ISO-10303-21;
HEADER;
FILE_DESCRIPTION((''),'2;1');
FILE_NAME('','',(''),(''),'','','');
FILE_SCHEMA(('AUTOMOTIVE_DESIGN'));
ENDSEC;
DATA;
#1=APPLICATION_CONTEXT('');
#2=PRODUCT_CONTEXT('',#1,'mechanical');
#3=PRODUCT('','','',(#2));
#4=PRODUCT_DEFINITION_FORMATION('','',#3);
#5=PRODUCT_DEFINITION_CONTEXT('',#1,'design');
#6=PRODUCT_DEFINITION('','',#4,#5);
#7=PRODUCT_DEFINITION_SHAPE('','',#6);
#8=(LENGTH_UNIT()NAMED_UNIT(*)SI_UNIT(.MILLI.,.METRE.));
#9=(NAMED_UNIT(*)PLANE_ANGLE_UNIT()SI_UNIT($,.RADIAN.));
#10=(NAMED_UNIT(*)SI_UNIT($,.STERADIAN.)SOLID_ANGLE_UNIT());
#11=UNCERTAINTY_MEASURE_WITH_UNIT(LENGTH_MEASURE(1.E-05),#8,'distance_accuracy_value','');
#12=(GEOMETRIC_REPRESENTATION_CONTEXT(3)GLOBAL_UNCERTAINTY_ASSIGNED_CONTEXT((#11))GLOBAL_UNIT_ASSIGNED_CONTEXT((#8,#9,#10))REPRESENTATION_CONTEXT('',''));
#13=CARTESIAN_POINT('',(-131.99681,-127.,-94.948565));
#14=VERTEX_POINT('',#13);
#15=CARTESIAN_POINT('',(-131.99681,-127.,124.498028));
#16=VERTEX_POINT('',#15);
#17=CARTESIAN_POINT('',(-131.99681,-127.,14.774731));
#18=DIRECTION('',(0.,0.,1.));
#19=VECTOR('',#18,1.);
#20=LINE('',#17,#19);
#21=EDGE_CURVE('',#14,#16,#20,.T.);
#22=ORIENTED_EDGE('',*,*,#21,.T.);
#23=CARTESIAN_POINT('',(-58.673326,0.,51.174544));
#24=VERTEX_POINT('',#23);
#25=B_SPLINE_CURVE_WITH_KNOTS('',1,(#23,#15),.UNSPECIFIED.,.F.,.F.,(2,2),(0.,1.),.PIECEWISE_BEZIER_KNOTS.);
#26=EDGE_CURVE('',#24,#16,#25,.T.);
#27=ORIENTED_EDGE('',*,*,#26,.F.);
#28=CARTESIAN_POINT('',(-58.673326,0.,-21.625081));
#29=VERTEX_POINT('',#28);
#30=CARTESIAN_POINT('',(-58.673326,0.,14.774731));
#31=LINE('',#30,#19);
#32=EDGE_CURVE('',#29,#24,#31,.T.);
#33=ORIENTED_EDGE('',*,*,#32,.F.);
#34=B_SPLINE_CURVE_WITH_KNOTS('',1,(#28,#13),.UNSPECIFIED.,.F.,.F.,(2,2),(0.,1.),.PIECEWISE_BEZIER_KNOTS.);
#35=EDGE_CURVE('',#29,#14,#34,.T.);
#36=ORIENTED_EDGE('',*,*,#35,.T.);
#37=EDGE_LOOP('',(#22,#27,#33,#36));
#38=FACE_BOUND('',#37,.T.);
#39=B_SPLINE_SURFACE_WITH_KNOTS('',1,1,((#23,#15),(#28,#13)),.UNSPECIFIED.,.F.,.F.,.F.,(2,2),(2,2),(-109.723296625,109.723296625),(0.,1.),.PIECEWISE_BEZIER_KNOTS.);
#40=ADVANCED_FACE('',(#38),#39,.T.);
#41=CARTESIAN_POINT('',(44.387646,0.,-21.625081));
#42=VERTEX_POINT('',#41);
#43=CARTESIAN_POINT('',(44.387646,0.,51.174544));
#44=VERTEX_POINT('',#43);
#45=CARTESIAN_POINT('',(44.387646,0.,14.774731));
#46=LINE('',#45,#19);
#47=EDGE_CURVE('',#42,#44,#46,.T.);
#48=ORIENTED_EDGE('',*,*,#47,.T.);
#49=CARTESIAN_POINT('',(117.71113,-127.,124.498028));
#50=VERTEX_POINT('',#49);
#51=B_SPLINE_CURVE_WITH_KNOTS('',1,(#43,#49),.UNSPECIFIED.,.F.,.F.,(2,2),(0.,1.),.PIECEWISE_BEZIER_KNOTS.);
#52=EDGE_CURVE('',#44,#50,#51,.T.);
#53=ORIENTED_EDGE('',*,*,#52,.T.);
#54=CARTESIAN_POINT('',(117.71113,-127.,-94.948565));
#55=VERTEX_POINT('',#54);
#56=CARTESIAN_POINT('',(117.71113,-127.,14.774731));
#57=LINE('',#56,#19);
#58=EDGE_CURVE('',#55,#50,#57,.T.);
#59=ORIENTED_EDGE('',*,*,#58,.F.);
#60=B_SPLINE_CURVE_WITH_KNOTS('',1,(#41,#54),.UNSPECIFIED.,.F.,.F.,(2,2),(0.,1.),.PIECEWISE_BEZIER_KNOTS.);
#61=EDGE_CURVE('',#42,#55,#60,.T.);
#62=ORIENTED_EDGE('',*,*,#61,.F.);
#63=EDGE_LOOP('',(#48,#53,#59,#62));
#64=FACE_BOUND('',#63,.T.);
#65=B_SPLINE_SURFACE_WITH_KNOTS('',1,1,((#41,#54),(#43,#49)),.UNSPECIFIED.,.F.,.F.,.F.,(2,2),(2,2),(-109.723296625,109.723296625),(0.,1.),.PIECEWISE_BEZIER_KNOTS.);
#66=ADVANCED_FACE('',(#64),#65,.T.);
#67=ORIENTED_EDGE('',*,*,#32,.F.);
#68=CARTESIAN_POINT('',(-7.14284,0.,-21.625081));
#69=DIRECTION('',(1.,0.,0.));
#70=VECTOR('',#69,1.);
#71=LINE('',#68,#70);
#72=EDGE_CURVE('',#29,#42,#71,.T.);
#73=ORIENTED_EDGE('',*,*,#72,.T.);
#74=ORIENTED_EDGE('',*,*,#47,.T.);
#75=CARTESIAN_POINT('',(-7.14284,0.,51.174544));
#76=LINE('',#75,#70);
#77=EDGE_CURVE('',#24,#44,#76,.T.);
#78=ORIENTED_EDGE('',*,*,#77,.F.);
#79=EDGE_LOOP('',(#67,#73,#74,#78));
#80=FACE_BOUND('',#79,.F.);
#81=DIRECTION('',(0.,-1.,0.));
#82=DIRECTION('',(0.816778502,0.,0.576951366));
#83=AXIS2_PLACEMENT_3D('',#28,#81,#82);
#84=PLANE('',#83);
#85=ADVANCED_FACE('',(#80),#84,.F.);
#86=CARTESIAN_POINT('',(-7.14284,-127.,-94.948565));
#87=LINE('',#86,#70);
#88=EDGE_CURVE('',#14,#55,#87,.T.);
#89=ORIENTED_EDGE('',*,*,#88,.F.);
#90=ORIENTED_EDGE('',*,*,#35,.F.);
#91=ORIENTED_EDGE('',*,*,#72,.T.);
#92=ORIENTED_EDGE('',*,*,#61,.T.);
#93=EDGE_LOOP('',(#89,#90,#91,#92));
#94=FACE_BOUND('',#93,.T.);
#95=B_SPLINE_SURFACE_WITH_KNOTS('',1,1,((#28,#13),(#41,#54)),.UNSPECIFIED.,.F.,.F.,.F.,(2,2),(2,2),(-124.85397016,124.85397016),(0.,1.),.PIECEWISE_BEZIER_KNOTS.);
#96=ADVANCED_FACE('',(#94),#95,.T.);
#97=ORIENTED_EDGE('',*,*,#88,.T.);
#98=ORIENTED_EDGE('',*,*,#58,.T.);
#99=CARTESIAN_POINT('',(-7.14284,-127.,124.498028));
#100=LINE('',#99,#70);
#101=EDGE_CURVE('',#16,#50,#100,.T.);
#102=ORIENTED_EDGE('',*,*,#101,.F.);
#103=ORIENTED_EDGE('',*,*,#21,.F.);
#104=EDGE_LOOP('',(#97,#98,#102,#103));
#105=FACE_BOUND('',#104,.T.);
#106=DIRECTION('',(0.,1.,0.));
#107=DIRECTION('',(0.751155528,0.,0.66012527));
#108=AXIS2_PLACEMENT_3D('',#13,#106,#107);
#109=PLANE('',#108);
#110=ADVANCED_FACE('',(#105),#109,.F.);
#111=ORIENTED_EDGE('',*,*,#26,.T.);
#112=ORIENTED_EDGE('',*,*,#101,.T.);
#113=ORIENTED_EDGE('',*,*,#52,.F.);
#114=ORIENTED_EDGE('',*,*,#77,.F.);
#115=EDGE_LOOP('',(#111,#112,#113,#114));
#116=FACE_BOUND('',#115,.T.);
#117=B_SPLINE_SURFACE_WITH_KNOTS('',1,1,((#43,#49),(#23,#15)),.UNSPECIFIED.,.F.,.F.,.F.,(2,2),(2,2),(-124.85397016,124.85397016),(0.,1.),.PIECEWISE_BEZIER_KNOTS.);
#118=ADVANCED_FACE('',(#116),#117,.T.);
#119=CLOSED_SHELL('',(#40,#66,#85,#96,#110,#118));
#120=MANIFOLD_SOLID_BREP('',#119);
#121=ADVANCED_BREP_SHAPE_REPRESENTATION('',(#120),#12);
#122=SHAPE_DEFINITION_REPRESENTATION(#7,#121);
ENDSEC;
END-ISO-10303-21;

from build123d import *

# Parameters (mm, degrees)
F0_W     = 103.0609719455
F0_H     = 72.7996248752
F1_DEPTH = 127
F1_TAPER = -30


with BuildPart() as f1:
    # F0 (on Front) → F1 (new body)
    with BuildSketch(Plane.XZ):
        with Locations((-7.1428399533, 14.7747313604)):
            Rectangle(F0_W, F0_H)
    extrude(amount=F1_DEPTH, taper=F1_TAPER)


solid = f1.part
